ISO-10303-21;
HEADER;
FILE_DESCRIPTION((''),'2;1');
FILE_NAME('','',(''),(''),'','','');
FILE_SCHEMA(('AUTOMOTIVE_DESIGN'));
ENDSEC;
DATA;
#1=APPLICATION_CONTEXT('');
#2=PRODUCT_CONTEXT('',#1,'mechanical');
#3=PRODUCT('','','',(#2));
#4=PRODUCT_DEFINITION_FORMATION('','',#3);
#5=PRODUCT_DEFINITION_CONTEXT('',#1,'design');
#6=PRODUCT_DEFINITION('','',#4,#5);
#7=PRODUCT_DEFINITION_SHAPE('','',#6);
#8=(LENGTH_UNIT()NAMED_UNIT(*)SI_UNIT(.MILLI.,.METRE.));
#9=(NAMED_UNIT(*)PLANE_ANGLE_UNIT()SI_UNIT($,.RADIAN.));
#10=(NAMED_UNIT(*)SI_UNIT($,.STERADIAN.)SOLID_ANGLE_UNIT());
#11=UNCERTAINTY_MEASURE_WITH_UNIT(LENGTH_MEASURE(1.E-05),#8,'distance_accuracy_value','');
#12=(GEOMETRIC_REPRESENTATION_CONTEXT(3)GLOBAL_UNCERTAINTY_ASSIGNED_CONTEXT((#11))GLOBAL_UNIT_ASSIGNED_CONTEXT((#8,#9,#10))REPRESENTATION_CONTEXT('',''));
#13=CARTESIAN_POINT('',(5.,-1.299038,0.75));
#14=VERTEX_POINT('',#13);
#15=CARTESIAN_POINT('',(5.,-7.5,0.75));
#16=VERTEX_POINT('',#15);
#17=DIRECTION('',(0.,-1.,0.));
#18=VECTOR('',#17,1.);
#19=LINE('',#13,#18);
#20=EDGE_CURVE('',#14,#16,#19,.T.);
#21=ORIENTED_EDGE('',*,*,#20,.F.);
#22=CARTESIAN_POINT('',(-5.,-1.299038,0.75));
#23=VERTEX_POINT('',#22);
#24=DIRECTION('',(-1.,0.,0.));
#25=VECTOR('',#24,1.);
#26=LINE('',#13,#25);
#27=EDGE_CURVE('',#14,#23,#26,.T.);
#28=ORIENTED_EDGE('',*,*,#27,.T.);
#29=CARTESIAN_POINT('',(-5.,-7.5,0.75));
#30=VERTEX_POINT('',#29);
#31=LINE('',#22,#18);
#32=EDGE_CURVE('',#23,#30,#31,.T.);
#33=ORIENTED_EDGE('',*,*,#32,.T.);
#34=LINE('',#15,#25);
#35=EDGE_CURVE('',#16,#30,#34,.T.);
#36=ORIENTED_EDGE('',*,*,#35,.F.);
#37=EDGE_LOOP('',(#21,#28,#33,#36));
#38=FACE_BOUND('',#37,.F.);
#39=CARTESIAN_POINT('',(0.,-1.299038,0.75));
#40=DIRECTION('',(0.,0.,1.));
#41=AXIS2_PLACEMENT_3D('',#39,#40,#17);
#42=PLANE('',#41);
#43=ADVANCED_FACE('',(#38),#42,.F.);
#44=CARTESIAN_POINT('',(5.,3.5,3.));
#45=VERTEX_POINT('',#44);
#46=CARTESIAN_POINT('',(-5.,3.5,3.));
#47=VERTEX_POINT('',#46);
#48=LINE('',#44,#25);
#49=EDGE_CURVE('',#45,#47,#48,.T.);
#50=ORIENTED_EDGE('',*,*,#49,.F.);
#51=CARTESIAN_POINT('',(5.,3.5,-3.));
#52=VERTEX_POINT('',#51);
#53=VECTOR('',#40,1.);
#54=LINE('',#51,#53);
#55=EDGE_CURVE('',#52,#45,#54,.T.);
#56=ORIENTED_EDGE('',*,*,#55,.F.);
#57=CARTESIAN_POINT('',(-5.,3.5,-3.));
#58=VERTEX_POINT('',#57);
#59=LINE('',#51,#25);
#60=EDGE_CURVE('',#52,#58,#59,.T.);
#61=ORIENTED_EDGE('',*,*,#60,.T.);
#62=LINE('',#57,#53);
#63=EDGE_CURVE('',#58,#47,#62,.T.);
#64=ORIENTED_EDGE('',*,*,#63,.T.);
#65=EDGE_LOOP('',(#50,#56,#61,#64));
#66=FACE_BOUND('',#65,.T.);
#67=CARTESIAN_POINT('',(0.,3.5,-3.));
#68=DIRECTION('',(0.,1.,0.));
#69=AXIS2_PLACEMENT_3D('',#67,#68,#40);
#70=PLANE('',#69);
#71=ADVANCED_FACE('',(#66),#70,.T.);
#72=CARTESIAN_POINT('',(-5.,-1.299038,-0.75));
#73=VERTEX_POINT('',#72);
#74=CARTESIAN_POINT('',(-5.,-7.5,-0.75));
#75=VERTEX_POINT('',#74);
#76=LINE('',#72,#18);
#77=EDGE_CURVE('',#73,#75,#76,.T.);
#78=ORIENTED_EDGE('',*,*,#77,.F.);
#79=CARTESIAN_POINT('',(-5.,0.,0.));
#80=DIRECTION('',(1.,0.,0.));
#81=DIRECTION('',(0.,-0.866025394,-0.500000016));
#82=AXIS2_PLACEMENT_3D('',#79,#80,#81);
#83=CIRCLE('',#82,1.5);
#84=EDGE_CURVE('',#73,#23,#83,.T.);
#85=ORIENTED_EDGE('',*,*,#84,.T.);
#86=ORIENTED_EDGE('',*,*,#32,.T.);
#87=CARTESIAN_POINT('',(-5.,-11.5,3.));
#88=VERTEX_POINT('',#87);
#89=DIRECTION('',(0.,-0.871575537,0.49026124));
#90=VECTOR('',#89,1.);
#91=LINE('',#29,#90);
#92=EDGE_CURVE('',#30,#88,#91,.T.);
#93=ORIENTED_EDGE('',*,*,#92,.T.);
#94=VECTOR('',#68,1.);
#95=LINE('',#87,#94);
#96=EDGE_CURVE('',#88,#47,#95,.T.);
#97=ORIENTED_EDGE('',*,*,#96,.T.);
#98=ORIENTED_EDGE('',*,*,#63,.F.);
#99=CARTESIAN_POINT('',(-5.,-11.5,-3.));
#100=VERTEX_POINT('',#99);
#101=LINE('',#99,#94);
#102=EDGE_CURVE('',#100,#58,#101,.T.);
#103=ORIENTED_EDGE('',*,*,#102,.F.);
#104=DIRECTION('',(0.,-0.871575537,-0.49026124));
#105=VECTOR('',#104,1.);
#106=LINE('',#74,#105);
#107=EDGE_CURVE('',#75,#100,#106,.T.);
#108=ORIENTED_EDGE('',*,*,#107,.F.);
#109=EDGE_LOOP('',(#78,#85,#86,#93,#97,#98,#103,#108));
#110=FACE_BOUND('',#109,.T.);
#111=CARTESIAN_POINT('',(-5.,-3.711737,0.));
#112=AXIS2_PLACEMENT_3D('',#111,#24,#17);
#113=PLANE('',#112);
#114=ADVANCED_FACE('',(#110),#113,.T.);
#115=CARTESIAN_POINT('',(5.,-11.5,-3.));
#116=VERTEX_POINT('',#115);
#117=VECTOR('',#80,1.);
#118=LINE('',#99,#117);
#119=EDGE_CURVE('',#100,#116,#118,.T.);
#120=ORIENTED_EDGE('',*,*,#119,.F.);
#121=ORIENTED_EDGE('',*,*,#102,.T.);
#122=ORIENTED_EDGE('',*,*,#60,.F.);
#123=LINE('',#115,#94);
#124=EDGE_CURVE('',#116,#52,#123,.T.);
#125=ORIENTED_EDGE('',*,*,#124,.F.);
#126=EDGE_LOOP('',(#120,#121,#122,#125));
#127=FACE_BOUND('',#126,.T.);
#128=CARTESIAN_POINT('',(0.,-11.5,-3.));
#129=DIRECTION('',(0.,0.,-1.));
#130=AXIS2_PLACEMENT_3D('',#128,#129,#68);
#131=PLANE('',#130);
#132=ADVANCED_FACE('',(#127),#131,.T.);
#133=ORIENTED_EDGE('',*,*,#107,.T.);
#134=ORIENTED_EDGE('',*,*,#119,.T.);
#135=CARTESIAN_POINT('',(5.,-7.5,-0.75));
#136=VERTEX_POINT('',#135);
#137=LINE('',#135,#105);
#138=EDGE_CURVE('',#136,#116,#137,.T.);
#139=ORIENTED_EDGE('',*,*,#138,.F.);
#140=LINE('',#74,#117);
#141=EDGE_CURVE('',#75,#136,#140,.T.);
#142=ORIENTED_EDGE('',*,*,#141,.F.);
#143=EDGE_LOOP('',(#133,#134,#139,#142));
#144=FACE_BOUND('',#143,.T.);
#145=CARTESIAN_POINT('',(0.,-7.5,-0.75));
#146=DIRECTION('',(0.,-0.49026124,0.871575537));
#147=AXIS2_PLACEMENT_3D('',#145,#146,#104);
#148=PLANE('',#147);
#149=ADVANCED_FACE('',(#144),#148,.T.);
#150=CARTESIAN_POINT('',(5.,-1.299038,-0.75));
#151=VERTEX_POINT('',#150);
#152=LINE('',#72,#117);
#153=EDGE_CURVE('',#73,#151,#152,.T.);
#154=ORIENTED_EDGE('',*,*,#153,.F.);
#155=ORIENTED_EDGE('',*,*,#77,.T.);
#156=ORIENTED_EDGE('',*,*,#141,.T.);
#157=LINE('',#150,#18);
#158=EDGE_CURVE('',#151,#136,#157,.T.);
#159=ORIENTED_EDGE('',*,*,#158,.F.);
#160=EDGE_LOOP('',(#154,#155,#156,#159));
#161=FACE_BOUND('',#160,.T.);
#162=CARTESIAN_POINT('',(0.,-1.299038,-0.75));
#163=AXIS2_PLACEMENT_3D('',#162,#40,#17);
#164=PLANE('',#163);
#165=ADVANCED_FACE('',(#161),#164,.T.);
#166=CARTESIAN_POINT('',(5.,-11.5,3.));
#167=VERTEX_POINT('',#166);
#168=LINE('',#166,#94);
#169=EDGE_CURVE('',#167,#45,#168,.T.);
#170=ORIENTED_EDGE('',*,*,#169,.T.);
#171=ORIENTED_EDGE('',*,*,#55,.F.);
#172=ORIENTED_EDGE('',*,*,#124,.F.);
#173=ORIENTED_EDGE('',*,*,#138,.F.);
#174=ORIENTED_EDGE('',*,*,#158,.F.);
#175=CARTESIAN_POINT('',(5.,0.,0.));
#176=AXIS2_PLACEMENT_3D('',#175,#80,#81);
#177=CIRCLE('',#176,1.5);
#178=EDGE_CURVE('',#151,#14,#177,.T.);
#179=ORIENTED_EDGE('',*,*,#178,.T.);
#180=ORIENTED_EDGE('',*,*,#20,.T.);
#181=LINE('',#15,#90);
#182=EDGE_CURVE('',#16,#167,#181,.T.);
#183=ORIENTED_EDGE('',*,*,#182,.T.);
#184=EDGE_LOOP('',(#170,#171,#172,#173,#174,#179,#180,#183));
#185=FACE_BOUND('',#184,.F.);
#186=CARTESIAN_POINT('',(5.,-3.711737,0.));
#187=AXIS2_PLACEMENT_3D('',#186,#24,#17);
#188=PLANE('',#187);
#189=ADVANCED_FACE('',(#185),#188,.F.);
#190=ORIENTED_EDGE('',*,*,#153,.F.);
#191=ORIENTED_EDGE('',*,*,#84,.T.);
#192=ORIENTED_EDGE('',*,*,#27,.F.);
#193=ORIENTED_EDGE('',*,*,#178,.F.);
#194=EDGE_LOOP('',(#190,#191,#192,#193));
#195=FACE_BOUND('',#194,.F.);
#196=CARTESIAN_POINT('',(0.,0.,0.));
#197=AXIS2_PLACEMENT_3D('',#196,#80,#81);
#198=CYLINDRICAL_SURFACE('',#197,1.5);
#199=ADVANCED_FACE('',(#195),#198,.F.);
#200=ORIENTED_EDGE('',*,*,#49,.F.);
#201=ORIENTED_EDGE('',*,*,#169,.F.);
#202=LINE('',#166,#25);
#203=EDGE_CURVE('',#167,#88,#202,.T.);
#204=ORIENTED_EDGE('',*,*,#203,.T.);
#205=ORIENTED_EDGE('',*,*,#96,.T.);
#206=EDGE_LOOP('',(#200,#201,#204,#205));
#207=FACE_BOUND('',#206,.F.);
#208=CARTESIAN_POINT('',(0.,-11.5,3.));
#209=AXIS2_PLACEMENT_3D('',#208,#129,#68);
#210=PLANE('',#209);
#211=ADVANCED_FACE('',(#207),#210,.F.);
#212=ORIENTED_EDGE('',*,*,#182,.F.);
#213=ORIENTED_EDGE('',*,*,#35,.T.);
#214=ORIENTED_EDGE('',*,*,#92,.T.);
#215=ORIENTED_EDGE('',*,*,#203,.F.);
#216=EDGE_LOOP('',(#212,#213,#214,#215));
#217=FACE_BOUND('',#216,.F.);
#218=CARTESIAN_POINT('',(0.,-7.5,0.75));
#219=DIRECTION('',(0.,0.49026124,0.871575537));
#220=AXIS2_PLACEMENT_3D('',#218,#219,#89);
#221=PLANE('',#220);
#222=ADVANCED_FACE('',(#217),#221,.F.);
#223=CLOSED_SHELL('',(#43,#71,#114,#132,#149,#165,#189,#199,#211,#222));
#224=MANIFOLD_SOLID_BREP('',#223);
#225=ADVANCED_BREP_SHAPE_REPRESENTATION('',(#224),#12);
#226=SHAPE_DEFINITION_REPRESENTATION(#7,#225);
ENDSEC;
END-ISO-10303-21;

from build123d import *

# Parameters (mm, degrees)
PAD_DEPTH = 5


with BuildPart() as part:
    # Sketch → Pad (new body, symmetric)
    with BuildSketch(Plane.YZ):
        with BuildLine():
            ThreePointArc((-1.299038, -0.75), (1.5, 0), (-1.299038, 0.75))
            Line((-1.299038, 0.75), (-7.5, 0.75))
            Line((-7.5, 0.75), (-11.5, 3))
            Line((-11.5, 3), (3.5, 3))
            Line((3.5, -3), (3.5, 3))
            Line((-11.5, -3), (3.5, -3))
            Line((-7.5, -0.75), (-11.5, -3))
            Line((-1.299038, -0.75), (-7.5, -0.75))
        make_face()
    extrude(amount=PAD_DEPTH, both=True)


solid = part.part
